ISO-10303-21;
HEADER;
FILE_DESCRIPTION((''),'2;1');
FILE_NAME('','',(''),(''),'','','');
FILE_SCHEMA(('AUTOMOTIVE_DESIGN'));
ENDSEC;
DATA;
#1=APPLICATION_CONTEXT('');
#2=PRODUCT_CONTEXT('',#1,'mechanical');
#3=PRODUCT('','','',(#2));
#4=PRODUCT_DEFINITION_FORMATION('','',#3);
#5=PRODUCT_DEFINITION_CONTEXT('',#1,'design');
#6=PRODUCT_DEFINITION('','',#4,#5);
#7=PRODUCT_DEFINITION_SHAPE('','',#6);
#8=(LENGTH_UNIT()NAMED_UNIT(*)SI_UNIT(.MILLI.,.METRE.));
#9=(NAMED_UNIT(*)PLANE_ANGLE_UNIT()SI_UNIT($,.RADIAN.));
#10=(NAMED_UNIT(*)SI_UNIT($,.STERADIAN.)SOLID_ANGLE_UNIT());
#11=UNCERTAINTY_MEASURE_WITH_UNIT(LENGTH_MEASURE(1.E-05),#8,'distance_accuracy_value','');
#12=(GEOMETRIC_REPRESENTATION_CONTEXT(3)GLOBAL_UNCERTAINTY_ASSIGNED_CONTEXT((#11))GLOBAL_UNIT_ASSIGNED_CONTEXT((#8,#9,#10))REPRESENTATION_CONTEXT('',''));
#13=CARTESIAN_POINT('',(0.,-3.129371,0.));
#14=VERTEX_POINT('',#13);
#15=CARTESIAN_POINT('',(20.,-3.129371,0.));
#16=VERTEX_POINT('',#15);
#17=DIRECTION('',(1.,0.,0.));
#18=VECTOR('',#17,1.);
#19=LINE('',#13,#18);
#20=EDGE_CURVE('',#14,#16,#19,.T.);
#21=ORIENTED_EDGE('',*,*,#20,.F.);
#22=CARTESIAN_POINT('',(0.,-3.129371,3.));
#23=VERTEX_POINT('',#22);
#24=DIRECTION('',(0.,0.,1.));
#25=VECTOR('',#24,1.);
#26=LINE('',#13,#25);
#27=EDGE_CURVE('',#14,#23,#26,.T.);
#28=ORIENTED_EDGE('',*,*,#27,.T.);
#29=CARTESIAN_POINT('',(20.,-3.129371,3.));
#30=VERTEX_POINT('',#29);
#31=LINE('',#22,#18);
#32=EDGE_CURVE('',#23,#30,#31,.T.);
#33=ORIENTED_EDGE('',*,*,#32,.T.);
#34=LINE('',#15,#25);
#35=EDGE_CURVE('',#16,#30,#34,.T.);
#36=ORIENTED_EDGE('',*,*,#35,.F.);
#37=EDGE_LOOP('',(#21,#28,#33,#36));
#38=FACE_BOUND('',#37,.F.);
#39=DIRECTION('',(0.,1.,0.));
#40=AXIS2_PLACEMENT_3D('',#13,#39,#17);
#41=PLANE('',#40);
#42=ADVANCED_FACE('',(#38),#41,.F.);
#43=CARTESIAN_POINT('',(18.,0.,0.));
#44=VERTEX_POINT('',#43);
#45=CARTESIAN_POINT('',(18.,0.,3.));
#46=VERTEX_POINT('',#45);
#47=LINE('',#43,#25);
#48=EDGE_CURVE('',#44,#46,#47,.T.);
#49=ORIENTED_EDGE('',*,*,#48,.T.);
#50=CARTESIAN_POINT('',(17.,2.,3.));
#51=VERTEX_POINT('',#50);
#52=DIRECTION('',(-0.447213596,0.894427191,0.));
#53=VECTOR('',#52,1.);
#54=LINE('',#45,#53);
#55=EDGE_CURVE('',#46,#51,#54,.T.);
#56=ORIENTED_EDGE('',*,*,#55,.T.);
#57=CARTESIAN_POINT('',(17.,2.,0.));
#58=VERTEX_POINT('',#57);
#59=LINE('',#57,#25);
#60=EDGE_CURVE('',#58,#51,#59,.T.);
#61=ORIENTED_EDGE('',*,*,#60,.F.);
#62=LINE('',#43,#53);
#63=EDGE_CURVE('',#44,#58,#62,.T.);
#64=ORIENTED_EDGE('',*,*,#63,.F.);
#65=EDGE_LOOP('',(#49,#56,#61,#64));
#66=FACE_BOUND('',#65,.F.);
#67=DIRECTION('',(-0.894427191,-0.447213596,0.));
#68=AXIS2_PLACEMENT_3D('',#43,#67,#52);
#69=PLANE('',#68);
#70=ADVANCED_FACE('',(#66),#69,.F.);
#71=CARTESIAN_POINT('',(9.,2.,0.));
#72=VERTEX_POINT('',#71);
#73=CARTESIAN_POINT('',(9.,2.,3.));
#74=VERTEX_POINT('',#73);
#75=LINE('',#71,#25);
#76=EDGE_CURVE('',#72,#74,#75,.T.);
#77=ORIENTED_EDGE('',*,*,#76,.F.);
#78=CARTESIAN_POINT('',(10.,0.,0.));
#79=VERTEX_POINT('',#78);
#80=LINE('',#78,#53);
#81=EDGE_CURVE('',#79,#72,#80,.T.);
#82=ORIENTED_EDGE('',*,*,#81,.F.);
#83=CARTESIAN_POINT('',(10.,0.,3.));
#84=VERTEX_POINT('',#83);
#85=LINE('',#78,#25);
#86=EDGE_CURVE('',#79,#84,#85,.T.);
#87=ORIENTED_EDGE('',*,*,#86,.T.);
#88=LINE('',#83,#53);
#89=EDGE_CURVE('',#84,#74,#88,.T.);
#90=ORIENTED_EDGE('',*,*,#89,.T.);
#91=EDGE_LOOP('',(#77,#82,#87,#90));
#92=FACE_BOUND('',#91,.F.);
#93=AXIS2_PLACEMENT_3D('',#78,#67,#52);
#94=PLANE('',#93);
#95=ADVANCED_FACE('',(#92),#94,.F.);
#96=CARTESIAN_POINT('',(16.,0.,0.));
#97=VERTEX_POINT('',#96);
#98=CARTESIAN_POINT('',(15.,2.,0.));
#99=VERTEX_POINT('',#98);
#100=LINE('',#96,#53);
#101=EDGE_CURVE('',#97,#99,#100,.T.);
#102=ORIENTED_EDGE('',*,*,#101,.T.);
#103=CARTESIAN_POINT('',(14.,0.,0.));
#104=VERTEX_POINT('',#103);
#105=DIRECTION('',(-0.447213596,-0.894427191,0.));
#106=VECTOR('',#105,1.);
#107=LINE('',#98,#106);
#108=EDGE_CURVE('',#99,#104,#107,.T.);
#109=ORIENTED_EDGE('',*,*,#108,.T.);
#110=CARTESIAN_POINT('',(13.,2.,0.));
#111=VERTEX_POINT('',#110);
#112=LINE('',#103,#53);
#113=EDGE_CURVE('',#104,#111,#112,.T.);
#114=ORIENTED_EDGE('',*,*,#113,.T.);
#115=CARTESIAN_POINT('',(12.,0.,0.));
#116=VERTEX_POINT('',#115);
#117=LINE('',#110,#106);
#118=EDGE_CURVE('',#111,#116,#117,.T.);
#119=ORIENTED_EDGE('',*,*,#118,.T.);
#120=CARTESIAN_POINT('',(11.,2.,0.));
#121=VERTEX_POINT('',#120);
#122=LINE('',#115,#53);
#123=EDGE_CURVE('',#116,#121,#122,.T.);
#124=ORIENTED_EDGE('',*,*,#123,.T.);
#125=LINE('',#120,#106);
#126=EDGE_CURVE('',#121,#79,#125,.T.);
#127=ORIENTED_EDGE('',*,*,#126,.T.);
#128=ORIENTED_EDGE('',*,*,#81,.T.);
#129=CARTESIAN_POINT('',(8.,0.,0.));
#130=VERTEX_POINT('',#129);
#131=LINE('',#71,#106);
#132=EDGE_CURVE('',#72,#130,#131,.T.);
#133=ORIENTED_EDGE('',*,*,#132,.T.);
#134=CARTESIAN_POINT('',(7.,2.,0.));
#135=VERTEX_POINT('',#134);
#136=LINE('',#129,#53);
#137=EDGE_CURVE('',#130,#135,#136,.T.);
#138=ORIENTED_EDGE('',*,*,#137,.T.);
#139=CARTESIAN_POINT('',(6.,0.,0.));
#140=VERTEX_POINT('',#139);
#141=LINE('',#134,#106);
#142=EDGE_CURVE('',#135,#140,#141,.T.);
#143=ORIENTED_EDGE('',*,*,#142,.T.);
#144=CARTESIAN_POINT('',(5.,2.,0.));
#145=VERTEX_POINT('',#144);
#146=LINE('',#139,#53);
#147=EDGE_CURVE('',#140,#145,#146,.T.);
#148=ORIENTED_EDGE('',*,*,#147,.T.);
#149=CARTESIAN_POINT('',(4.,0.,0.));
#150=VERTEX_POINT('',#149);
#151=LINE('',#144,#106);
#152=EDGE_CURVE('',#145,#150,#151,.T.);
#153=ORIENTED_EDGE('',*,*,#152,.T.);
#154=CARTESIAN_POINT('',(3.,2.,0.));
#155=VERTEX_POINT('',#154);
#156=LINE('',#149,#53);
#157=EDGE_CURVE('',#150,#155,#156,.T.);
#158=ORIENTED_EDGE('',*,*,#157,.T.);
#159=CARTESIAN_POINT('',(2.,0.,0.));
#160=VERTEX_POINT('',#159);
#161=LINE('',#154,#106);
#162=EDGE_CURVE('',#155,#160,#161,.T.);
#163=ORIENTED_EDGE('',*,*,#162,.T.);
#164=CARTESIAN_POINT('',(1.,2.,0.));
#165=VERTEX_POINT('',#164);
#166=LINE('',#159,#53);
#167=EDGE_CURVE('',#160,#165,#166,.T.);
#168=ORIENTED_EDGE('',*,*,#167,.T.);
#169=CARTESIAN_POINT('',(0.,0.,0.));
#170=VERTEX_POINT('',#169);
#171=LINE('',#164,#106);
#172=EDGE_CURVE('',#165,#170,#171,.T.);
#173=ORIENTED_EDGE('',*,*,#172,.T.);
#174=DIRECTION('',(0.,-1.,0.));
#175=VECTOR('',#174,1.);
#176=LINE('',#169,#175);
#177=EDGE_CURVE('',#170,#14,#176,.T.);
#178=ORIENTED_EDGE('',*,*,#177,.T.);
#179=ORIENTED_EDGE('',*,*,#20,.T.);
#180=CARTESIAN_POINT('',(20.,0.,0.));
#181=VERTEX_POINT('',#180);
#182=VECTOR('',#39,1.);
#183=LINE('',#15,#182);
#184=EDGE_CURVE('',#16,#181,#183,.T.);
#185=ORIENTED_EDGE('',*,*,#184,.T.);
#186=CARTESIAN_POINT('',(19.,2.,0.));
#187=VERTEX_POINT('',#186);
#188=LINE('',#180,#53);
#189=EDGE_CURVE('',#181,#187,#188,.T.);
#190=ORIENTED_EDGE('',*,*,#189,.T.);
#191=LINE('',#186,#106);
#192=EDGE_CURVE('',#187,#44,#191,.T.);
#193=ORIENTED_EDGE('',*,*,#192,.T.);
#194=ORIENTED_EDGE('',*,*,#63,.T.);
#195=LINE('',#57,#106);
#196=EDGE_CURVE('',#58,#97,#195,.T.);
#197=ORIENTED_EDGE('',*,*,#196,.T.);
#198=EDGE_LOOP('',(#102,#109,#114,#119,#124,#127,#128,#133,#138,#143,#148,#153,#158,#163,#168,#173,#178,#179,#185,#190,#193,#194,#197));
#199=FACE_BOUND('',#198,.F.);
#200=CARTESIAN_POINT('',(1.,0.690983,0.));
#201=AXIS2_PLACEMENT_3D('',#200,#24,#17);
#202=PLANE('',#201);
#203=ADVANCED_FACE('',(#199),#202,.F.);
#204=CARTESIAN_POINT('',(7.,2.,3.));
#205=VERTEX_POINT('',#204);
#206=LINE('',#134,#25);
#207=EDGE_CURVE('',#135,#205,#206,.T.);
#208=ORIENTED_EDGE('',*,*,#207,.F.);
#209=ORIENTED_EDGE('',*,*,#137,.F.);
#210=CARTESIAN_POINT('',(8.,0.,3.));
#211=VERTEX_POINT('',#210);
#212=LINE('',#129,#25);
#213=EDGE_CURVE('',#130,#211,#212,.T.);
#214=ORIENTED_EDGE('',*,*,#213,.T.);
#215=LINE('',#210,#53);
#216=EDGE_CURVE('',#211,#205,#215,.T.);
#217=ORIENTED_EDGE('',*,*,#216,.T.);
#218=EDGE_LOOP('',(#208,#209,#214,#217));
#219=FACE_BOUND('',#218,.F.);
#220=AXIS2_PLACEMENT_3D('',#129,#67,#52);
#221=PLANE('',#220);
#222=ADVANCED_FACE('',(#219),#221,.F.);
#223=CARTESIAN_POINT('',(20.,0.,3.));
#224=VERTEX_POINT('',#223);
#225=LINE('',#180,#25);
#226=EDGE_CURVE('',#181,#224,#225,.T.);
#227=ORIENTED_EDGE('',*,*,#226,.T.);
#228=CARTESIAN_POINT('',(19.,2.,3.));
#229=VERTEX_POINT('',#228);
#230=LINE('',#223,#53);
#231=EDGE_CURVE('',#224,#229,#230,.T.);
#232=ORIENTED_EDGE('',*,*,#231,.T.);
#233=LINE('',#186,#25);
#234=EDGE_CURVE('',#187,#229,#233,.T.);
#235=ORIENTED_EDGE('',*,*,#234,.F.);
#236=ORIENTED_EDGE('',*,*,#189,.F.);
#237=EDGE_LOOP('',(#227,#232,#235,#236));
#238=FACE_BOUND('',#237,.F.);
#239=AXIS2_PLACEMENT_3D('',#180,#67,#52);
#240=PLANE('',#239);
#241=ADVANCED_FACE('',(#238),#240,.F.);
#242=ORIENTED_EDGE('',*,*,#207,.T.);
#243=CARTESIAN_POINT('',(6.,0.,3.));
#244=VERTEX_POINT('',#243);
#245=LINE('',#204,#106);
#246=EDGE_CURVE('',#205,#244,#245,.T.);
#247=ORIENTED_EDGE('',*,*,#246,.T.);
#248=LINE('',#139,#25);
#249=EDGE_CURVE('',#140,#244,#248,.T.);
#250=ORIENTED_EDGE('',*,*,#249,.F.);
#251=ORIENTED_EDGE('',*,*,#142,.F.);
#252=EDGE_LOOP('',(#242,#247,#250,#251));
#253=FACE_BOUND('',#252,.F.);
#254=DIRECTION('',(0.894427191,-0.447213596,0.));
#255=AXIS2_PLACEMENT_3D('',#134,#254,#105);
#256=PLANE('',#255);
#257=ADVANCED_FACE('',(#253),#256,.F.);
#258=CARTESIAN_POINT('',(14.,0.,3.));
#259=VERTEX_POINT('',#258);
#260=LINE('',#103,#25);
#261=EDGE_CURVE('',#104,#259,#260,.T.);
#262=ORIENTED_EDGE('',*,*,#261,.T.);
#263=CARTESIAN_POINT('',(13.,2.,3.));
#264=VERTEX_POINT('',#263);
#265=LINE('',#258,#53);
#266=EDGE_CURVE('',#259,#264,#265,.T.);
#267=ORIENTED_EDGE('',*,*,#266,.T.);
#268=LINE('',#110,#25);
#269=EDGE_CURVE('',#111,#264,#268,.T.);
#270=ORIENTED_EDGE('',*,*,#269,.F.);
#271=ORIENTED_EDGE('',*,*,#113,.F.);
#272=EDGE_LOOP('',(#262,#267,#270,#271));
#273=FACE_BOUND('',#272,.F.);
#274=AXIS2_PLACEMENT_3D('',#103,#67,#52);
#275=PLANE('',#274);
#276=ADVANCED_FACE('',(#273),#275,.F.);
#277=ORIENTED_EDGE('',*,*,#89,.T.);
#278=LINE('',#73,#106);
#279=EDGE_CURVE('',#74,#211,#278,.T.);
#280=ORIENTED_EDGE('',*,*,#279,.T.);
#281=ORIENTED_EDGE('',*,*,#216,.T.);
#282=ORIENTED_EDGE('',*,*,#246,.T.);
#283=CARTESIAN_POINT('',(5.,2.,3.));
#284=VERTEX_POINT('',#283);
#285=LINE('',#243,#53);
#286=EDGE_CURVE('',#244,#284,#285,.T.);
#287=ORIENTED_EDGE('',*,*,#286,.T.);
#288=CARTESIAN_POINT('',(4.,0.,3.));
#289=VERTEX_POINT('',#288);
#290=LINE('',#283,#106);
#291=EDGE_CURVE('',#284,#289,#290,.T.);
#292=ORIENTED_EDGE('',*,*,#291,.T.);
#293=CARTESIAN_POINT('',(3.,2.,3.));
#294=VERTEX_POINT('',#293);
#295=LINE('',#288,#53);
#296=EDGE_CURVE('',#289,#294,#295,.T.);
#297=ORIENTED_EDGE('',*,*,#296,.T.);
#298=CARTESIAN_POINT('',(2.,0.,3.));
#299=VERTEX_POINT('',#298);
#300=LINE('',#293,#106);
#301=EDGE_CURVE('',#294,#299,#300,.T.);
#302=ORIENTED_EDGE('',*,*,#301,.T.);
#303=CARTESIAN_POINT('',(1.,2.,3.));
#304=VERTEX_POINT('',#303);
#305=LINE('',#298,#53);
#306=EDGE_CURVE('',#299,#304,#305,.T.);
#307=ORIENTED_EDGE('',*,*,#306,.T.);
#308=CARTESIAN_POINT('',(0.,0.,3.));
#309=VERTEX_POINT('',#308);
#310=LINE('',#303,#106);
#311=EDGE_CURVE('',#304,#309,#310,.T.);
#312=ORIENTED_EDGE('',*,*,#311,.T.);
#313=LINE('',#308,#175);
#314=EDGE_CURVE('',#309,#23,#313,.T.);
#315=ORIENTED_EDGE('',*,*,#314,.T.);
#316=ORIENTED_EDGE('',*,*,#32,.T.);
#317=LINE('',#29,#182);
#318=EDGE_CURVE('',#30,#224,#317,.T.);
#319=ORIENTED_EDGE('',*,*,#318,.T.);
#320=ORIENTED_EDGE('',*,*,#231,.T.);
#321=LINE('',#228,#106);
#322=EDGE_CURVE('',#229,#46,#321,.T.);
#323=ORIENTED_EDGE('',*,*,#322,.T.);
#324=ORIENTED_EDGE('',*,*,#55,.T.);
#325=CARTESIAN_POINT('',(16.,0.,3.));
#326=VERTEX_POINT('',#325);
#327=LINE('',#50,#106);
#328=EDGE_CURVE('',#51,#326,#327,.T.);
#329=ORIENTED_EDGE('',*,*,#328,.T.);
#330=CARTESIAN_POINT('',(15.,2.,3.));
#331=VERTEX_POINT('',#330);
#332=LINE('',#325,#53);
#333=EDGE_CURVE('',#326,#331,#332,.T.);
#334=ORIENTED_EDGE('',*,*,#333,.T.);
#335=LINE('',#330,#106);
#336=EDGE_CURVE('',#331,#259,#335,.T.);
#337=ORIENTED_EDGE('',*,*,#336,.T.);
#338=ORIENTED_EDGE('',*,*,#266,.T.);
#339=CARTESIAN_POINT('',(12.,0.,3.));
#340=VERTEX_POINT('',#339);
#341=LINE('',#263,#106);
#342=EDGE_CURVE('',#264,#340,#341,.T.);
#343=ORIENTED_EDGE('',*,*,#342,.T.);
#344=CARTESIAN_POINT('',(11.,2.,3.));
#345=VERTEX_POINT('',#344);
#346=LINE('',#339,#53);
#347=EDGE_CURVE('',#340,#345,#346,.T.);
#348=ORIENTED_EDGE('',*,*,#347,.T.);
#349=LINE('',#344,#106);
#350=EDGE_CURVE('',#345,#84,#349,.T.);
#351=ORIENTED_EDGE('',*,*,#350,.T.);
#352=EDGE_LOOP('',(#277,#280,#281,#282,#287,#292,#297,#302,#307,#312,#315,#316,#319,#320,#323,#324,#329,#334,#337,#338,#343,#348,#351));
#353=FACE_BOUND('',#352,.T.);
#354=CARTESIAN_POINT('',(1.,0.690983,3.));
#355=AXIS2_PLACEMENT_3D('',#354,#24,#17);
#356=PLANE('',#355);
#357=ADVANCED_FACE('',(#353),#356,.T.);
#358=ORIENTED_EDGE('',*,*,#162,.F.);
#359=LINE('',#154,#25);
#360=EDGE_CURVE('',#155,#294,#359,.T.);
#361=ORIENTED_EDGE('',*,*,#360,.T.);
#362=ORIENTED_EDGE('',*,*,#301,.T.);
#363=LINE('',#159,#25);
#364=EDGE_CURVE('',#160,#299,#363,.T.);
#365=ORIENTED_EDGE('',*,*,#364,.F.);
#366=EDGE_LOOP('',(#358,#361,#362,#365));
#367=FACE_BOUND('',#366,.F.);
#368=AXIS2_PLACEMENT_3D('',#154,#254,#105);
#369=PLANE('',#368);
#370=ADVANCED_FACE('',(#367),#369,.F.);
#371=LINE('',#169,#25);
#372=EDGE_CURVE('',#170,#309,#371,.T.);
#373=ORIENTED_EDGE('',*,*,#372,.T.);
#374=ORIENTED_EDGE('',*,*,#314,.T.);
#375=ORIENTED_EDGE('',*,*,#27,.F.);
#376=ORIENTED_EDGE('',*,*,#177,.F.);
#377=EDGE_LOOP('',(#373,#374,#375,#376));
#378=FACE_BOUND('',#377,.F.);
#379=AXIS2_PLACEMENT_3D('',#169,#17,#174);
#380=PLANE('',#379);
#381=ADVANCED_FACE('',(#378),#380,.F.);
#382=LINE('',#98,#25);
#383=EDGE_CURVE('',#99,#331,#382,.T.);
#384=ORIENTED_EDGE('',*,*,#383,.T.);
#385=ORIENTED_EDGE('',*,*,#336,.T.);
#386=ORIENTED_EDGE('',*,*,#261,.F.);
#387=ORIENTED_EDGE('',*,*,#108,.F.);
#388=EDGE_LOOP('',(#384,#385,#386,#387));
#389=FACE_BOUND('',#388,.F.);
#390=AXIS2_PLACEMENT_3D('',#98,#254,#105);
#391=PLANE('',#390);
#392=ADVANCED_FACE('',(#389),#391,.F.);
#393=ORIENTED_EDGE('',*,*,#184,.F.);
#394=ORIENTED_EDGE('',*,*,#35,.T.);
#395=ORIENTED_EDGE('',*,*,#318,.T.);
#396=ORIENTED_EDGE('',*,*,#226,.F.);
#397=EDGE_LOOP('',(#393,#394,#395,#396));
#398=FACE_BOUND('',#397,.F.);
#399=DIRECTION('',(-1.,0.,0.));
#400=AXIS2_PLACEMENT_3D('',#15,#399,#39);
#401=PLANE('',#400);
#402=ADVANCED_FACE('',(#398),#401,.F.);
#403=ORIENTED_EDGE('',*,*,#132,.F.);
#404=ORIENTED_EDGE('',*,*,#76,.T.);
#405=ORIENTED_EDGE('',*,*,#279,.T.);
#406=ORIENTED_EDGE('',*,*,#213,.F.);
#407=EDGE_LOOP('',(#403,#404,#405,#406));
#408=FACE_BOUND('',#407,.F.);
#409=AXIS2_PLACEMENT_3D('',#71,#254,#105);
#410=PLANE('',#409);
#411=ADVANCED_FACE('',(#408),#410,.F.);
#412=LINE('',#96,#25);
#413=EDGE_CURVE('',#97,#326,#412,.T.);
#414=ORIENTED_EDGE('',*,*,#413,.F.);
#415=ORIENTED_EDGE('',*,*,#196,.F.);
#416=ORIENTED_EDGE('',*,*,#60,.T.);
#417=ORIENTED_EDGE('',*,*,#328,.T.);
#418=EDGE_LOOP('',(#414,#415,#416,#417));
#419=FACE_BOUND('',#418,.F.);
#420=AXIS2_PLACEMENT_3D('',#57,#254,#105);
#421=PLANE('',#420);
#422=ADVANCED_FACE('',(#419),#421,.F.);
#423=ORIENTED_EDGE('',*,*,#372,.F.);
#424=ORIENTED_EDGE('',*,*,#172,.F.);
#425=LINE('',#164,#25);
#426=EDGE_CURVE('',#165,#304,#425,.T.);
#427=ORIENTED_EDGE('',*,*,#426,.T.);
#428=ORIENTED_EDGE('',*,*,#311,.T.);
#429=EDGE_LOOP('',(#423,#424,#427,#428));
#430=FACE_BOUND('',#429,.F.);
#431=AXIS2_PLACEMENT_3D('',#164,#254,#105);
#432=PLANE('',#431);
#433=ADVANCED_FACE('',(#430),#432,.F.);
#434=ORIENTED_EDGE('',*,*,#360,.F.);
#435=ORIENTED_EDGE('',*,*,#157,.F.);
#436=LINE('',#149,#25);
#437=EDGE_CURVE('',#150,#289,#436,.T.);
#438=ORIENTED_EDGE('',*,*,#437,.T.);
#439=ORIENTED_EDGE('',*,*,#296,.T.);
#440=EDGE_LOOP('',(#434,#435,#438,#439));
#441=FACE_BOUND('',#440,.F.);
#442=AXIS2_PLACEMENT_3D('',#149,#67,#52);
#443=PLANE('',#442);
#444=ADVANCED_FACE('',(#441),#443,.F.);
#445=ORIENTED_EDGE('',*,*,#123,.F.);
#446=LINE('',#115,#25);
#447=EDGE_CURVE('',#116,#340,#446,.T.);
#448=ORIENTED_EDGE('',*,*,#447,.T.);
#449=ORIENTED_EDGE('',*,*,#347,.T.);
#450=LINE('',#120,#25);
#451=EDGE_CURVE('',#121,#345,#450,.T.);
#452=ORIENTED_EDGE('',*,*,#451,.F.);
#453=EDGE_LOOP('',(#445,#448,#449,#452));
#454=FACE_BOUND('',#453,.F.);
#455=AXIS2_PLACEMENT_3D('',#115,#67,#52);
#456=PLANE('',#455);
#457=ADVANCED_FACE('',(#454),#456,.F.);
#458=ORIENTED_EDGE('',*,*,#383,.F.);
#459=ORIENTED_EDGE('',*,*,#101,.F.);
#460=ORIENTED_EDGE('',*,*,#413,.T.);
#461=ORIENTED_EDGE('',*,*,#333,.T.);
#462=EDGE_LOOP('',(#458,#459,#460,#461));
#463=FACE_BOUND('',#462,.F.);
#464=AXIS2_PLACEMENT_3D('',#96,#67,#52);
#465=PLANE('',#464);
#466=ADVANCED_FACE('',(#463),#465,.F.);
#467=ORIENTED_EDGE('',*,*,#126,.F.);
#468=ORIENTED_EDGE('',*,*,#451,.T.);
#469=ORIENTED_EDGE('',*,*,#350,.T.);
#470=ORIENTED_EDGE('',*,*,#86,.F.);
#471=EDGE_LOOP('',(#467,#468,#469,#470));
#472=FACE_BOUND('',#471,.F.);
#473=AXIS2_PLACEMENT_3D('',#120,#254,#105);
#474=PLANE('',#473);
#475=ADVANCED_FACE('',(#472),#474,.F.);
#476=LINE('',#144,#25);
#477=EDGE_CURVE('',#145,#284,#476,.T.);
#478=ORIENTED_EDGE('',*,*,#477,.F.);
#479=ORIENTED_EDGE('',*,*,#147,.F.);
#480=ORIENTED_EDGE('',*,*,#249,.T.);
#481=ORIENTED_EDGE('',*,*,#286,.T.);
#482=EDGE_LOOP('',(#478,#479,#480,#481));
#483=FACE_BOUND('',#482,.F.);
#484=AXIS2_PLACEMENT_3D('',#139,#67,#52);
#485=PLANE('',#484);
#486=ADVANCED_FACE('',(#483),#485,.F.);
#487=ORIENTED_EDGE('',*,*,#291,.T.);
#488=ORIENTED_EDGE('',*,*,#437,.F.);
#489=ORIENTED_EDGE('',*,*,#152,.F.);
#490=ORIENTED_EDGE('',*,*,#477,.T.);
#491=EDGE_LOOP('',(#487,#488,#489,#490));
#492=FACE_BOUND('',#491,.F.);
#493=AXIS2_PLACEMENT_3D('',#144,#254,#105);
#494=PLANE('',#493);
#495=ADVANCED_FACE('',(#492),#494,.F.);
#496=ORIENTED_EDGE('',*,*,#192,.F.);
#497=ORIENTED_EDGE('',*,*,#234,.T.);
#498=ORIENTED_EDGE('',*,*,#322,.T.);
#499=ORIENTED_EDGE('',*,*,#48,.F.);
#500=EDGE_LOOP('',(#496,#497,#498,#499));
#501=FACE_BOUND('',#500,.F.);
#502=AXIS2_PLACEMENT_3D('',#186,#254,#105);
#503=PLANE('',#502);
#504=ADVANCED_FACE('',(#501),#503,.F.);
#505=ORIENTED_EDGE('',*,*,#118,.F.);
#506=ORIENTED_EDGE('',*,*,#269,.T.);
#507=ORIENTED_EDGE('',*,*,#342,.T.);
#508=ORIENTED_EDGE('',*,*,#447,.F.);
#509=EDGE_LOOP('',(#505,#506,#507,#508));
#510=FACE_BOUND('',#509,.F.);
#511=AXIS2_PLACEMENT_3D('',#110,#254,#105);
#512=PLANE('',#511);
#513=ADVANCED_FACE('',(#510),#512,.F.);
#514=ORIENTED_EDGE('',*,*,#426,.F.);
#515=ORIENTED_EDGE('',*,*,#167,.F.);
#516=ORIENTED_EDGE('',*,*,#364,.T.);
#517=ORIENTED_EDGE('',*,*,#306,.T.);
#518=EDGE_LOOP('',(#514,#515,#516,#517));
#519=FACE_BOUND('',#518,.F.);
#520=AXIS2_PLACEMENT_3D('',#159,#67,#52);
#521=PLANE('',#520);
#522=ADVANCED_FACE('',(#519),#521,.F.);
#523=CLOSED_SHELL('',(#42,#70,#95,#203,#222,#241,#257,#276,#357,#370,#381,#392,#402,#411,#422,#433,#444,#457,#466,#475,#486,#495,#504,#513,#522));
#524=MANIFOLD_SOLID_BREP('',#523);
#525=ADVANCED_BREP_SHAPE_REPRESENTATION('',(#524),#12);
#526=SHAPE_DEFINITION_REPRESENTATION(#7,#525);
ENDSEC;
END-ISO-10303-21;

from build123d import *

# Parameters (mm, degrees)
F1_DEPTH = 3


with BuildPart() as f1:
    # F0 (on Top) → F1 (new body)
    with BuildSketch(Plane.XY):
        Polygon((1, 2), (0, 0), (2, 0), align=None)
        Polygon((2, 0), (0, 0), (0, -3.129371), (20, -3.129371), (20, 0), (18, 0), (16, 0), (14, 0), (12, 0), (10, 0), (8, 0), (6, 0), (4, 0), align=None)
        Polygon((3, 2), (2, 0), (4, 0), align=None)
        Polygon((5, 2), (4, 0), (6, 0), align=None)
        Polygon((7, 2), (6, 0), (8, 0), align=None)
        Polygon((18, 0), (20, 0), (19, 2), align=None)
        Polygon((9, 2), (8, 0), (10, 0), align=None)
        Polygon((16, 0), (18, 0), (17, 2), align=None)
        Polygon((11, 2), (10, 0), (12, 0), align=None)
        Polygon((14, 0), (16, 0), (15, 2), align=None)
        Polygon((13, 2), (12, 0), (14, 0), align=None)
    extrude(amount=F1_DEPTH)


solid = f1.part
